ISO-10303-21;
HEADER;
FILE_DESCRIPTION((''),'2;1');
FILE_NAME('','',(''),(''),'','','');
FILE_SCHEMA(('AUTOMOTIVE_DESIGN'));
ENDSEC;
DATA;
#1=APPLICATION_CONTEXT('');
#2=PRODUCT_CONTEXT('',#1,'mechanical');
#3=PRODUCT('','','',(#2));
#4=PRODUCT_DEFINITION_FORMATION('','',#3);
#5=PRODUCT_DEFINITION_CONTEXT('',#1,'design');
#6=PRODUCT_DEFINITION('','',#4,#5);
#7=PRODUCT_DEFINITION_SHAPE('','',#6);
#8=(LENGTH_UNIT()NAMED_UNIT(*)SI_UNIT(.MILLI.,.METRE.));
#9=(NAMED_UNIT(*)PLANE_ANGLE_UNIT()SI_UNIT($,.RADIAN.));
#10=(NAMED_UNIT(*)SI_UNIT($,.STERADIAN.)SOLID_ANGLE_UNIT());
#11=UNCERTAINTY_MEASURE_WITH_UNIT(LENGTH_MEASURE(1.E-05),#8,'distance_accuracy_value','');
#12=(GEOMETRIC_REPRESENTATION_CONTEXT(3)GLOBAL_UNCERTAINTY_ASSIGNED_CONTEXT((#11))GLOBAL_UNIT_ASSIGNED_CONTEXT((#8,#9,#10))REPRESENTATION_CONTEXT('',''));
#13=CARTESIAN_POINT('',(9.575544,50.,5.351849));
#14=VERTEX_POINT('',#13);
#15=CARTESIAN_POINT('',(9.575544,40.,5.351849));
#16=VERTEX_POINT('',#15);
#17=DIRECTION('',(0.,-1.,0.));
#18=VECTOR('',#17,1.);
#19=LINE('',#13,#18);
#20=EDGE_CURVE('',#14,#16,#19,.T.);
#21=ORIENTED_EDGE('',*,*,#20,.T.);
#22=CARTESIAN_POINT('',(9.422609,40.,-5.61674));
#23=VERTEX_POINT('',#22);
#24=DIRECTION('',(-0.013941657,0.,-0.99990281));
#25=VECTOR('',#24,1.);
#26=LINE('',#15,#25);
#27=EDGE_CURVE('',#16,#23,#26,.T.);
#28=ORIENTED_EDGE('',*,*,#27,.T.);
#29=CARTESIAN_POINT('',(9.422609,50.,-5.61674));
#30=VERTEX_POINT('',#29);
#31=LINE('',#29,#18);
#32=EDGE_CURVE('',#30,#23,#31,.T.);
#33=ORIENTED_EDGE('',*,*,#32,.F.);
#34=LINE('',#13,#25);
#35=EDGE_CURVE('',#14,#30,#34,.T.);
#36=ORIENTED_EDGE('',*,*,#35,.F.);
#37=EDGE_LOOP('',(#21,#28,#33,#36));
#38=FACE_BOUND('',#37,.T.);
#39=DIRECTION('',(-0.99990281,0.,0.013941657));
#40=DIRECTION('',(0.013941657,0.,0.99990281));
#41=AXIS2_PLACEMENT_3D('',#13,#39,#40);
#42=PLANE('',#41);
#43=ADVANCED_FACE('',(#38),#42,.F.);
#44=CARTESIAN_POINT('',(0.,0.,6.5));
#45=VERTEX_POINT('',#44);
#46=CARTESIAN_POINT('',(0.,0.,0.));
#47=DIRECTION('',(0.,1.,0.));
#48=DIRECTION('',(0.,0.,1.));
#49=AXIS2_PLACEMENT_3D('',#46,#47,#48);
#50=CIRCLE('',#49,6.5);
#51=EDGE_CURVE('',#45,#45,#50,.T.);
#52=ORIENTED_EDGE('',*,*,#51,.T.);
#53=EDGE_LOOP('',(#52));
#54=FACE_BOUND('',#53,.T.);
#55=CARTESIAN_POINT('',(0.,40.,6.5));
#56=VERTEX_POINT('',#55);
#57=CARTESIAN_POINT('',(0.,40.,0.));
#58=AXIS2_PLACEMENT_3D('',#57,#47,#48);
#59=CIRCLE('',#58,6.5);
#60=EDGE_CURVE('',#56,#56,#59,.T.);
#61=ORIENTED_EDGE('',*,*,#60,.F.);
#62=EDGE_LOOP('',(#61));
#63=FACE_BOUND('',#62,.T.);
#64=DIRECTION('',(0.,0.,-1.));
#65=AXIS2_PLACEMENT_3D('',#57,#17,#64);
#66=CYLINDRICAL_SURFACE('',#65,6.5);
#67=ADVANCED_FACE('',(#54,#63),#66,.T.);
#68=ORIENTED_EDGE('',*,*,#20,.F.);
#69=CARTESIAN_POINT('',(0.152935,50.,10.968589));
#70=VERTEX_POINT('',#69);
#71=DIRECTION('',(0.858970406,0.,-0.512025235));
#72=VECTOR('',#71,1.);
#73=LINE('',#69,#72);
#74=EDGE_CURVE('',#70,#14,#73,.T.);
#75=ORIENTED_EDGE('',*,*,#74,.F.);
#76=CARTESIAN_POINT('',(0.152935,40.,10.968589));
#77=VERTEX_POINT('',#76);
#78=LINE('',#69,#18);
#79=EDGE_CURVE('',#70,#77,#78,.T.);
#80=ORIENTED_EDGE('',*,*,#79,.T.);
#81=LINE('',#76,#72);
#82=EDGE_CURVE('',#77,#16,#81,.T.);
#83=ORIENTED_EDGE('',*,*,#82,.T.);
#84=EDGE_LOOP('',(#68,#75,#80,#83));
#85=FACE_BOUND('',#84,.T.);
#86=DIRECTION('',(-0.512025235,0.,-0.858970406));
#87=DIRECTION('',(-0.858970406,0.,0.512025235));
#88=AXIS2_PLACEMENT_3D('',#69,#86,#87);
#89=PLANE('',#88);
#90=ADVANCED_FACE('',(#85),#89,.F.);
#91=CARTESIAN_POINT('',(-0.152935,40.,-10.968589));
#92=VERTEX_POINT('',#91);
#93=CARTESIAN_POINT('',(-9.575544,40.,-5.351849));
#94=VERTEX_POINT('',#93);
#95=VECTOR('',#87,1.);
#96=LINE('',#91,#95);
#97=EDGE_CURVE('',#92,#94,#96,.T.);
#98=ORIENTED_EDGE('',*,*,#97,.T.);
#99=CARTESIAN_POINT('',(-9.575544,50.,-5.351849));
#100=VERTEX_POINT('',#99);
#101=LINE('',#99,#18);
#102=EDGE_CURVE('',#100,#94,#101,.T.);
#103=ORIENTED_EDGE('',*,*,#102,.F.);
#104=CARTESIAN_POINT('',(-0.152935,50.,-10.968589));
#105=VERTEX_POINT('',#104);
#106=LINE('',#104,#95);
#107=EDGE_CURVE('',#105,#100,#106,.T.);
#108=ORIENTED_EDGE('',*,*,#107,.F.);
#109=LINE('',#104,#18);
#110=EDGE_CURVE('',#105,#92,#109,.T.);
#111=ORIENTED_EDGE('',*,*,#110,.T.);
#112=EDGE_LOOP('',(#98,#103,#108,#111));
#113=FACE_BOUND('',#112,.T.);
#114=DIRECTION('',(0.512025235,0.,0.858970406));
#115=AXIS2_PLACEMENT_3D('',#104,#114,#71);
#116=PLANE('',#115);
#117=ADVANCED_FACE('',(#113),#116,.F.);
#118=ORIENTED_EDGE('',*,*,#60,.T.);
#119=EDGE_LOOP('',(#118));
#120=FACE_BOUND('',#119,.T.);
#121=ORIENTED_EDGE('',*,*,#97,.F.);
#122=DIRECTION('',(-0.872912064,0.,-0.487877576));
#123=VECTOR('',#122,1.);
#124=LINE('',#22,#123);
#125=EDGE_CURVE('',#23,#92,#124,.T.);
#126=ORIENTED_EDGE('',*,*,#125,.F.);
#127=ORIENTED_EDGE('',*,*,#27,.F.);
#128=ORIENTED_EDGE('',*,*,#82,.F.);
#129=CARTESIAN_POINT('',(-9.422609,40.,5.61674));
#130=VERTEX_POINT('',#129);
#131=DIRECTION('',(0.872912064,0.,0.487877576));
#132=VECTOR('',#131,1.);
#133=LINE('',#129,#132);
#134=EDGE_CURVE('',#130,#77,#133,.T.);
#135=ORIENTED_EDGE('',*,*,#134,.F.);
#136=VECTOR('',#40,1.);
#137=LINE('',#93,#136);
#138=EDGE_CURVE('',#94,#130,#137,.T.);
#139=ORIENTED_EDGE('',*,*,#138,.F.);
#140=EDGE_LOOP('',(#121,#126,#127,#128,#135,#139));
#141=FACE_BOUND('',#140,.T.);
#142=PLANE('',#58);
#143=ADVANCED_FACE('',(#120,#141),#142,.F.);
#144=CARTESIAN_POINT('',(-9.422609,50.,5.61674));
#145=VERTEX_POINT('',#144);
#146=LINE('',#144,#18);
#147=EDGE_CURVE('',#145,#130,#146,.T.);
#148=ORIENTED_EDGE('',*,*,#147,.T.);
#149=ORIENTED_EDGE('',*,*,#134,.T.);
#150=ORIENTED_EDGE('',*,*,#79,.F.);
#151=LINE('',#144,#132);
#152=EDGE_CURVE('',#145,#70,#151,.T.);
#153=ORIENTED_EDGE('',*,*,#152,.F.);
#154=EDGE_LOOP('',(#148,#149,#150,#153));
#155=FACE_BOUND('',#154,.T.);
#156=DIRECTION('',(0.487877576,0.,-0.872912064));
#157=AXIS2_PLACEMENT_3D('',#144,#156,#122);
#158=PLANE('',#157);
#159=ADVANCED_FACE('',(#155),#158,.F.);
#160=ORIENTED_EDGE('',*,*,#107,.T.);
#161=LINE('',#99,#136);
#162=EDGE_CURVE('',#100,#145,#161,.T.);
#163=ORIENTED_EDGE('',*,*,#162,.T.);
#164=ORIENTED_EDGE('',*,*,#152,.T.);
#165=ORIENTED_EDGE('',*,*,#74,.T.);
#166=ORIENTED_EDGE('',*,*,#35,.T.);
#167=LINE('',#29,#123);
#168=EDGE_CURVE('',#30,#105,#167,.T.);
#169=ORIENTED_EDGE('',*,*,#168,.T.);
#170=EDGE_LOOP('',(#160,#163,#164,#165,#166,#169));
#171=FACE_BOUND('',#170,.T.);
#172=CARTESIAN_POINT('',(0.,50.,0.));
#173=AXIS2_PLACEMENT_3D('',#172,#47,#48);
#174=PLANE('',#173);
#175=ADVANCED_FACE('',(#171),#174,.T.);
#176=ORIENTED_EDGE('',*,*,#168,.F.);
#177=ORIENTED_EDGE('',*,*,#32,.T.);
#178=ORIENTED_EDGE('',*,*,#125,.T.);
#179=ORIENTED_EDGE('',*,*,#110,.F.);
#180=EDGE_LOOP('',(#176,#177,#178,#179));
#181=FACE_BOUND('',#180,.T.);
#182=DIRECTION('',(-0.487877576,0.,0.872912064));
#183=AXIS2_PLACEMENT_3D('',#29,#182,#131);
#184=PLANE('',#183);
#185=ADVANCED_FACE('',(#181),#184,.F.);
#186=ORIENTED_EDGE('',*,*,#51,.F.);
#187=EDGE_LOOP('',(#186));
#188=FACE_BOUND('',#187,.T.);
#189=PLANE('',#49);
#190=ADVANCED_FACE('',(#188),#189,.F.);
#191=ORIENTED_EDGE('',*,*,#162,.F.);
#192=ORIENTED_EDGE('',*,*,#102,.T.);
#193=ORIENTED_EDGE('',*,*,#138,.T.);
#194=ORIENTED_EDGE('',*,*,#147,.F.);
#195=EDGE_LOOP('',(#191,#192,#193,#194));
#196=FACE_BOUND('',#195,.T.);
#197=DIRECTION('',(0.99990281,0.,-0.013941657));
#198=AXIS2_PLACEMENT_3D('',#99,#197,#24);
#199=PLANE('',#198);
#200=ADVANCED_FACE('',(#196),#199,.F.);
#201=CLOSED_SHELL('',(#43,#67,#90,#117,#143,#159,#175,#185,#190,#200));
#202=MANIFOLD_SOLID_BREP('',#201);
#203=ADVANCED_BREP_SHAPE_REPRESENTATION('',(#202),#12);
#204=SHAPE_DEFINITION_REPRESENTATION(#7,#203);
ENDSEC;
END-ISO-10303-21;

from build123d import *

# Parameters (mm, degrees)
SKETCH_2_R      = 6.5
EXTRUDE_1_DEPTH = 40
EXTRUDE_2_DEPTH = 10


with BuildPart() as part:
    # Эскиз2 → Бобышка-Вытянуть1 (new body)
    with BuildSketch(Plane(origin=(0, 0, 0), x_dir=(1, 0, 0), z_dir=(0, 1, 0))):
        Circle(SKETCH_2_R)
    extrude(amount=EXTRUDE_1_DEPTH)

    # Эскиз3 → Бобышка-Вытянуть2 (add)
    with BuildSketch(Plane(origin=(0, 40, 0), x_dir=(1, 0, 0), z_dir=(0, 1, 0))):
        Polygon((-9.575544284, 5.351848745), (-9.422609113, -5.616740233), (0.152935172, -10.968588978), (9.575544284, -5.351848745), (9.422609113, 5.616740233), (-0.152935172, 10.968588978), align=None)
    extrude(amount=EXTRUDE_2_DEPTH)


solid = part.part
